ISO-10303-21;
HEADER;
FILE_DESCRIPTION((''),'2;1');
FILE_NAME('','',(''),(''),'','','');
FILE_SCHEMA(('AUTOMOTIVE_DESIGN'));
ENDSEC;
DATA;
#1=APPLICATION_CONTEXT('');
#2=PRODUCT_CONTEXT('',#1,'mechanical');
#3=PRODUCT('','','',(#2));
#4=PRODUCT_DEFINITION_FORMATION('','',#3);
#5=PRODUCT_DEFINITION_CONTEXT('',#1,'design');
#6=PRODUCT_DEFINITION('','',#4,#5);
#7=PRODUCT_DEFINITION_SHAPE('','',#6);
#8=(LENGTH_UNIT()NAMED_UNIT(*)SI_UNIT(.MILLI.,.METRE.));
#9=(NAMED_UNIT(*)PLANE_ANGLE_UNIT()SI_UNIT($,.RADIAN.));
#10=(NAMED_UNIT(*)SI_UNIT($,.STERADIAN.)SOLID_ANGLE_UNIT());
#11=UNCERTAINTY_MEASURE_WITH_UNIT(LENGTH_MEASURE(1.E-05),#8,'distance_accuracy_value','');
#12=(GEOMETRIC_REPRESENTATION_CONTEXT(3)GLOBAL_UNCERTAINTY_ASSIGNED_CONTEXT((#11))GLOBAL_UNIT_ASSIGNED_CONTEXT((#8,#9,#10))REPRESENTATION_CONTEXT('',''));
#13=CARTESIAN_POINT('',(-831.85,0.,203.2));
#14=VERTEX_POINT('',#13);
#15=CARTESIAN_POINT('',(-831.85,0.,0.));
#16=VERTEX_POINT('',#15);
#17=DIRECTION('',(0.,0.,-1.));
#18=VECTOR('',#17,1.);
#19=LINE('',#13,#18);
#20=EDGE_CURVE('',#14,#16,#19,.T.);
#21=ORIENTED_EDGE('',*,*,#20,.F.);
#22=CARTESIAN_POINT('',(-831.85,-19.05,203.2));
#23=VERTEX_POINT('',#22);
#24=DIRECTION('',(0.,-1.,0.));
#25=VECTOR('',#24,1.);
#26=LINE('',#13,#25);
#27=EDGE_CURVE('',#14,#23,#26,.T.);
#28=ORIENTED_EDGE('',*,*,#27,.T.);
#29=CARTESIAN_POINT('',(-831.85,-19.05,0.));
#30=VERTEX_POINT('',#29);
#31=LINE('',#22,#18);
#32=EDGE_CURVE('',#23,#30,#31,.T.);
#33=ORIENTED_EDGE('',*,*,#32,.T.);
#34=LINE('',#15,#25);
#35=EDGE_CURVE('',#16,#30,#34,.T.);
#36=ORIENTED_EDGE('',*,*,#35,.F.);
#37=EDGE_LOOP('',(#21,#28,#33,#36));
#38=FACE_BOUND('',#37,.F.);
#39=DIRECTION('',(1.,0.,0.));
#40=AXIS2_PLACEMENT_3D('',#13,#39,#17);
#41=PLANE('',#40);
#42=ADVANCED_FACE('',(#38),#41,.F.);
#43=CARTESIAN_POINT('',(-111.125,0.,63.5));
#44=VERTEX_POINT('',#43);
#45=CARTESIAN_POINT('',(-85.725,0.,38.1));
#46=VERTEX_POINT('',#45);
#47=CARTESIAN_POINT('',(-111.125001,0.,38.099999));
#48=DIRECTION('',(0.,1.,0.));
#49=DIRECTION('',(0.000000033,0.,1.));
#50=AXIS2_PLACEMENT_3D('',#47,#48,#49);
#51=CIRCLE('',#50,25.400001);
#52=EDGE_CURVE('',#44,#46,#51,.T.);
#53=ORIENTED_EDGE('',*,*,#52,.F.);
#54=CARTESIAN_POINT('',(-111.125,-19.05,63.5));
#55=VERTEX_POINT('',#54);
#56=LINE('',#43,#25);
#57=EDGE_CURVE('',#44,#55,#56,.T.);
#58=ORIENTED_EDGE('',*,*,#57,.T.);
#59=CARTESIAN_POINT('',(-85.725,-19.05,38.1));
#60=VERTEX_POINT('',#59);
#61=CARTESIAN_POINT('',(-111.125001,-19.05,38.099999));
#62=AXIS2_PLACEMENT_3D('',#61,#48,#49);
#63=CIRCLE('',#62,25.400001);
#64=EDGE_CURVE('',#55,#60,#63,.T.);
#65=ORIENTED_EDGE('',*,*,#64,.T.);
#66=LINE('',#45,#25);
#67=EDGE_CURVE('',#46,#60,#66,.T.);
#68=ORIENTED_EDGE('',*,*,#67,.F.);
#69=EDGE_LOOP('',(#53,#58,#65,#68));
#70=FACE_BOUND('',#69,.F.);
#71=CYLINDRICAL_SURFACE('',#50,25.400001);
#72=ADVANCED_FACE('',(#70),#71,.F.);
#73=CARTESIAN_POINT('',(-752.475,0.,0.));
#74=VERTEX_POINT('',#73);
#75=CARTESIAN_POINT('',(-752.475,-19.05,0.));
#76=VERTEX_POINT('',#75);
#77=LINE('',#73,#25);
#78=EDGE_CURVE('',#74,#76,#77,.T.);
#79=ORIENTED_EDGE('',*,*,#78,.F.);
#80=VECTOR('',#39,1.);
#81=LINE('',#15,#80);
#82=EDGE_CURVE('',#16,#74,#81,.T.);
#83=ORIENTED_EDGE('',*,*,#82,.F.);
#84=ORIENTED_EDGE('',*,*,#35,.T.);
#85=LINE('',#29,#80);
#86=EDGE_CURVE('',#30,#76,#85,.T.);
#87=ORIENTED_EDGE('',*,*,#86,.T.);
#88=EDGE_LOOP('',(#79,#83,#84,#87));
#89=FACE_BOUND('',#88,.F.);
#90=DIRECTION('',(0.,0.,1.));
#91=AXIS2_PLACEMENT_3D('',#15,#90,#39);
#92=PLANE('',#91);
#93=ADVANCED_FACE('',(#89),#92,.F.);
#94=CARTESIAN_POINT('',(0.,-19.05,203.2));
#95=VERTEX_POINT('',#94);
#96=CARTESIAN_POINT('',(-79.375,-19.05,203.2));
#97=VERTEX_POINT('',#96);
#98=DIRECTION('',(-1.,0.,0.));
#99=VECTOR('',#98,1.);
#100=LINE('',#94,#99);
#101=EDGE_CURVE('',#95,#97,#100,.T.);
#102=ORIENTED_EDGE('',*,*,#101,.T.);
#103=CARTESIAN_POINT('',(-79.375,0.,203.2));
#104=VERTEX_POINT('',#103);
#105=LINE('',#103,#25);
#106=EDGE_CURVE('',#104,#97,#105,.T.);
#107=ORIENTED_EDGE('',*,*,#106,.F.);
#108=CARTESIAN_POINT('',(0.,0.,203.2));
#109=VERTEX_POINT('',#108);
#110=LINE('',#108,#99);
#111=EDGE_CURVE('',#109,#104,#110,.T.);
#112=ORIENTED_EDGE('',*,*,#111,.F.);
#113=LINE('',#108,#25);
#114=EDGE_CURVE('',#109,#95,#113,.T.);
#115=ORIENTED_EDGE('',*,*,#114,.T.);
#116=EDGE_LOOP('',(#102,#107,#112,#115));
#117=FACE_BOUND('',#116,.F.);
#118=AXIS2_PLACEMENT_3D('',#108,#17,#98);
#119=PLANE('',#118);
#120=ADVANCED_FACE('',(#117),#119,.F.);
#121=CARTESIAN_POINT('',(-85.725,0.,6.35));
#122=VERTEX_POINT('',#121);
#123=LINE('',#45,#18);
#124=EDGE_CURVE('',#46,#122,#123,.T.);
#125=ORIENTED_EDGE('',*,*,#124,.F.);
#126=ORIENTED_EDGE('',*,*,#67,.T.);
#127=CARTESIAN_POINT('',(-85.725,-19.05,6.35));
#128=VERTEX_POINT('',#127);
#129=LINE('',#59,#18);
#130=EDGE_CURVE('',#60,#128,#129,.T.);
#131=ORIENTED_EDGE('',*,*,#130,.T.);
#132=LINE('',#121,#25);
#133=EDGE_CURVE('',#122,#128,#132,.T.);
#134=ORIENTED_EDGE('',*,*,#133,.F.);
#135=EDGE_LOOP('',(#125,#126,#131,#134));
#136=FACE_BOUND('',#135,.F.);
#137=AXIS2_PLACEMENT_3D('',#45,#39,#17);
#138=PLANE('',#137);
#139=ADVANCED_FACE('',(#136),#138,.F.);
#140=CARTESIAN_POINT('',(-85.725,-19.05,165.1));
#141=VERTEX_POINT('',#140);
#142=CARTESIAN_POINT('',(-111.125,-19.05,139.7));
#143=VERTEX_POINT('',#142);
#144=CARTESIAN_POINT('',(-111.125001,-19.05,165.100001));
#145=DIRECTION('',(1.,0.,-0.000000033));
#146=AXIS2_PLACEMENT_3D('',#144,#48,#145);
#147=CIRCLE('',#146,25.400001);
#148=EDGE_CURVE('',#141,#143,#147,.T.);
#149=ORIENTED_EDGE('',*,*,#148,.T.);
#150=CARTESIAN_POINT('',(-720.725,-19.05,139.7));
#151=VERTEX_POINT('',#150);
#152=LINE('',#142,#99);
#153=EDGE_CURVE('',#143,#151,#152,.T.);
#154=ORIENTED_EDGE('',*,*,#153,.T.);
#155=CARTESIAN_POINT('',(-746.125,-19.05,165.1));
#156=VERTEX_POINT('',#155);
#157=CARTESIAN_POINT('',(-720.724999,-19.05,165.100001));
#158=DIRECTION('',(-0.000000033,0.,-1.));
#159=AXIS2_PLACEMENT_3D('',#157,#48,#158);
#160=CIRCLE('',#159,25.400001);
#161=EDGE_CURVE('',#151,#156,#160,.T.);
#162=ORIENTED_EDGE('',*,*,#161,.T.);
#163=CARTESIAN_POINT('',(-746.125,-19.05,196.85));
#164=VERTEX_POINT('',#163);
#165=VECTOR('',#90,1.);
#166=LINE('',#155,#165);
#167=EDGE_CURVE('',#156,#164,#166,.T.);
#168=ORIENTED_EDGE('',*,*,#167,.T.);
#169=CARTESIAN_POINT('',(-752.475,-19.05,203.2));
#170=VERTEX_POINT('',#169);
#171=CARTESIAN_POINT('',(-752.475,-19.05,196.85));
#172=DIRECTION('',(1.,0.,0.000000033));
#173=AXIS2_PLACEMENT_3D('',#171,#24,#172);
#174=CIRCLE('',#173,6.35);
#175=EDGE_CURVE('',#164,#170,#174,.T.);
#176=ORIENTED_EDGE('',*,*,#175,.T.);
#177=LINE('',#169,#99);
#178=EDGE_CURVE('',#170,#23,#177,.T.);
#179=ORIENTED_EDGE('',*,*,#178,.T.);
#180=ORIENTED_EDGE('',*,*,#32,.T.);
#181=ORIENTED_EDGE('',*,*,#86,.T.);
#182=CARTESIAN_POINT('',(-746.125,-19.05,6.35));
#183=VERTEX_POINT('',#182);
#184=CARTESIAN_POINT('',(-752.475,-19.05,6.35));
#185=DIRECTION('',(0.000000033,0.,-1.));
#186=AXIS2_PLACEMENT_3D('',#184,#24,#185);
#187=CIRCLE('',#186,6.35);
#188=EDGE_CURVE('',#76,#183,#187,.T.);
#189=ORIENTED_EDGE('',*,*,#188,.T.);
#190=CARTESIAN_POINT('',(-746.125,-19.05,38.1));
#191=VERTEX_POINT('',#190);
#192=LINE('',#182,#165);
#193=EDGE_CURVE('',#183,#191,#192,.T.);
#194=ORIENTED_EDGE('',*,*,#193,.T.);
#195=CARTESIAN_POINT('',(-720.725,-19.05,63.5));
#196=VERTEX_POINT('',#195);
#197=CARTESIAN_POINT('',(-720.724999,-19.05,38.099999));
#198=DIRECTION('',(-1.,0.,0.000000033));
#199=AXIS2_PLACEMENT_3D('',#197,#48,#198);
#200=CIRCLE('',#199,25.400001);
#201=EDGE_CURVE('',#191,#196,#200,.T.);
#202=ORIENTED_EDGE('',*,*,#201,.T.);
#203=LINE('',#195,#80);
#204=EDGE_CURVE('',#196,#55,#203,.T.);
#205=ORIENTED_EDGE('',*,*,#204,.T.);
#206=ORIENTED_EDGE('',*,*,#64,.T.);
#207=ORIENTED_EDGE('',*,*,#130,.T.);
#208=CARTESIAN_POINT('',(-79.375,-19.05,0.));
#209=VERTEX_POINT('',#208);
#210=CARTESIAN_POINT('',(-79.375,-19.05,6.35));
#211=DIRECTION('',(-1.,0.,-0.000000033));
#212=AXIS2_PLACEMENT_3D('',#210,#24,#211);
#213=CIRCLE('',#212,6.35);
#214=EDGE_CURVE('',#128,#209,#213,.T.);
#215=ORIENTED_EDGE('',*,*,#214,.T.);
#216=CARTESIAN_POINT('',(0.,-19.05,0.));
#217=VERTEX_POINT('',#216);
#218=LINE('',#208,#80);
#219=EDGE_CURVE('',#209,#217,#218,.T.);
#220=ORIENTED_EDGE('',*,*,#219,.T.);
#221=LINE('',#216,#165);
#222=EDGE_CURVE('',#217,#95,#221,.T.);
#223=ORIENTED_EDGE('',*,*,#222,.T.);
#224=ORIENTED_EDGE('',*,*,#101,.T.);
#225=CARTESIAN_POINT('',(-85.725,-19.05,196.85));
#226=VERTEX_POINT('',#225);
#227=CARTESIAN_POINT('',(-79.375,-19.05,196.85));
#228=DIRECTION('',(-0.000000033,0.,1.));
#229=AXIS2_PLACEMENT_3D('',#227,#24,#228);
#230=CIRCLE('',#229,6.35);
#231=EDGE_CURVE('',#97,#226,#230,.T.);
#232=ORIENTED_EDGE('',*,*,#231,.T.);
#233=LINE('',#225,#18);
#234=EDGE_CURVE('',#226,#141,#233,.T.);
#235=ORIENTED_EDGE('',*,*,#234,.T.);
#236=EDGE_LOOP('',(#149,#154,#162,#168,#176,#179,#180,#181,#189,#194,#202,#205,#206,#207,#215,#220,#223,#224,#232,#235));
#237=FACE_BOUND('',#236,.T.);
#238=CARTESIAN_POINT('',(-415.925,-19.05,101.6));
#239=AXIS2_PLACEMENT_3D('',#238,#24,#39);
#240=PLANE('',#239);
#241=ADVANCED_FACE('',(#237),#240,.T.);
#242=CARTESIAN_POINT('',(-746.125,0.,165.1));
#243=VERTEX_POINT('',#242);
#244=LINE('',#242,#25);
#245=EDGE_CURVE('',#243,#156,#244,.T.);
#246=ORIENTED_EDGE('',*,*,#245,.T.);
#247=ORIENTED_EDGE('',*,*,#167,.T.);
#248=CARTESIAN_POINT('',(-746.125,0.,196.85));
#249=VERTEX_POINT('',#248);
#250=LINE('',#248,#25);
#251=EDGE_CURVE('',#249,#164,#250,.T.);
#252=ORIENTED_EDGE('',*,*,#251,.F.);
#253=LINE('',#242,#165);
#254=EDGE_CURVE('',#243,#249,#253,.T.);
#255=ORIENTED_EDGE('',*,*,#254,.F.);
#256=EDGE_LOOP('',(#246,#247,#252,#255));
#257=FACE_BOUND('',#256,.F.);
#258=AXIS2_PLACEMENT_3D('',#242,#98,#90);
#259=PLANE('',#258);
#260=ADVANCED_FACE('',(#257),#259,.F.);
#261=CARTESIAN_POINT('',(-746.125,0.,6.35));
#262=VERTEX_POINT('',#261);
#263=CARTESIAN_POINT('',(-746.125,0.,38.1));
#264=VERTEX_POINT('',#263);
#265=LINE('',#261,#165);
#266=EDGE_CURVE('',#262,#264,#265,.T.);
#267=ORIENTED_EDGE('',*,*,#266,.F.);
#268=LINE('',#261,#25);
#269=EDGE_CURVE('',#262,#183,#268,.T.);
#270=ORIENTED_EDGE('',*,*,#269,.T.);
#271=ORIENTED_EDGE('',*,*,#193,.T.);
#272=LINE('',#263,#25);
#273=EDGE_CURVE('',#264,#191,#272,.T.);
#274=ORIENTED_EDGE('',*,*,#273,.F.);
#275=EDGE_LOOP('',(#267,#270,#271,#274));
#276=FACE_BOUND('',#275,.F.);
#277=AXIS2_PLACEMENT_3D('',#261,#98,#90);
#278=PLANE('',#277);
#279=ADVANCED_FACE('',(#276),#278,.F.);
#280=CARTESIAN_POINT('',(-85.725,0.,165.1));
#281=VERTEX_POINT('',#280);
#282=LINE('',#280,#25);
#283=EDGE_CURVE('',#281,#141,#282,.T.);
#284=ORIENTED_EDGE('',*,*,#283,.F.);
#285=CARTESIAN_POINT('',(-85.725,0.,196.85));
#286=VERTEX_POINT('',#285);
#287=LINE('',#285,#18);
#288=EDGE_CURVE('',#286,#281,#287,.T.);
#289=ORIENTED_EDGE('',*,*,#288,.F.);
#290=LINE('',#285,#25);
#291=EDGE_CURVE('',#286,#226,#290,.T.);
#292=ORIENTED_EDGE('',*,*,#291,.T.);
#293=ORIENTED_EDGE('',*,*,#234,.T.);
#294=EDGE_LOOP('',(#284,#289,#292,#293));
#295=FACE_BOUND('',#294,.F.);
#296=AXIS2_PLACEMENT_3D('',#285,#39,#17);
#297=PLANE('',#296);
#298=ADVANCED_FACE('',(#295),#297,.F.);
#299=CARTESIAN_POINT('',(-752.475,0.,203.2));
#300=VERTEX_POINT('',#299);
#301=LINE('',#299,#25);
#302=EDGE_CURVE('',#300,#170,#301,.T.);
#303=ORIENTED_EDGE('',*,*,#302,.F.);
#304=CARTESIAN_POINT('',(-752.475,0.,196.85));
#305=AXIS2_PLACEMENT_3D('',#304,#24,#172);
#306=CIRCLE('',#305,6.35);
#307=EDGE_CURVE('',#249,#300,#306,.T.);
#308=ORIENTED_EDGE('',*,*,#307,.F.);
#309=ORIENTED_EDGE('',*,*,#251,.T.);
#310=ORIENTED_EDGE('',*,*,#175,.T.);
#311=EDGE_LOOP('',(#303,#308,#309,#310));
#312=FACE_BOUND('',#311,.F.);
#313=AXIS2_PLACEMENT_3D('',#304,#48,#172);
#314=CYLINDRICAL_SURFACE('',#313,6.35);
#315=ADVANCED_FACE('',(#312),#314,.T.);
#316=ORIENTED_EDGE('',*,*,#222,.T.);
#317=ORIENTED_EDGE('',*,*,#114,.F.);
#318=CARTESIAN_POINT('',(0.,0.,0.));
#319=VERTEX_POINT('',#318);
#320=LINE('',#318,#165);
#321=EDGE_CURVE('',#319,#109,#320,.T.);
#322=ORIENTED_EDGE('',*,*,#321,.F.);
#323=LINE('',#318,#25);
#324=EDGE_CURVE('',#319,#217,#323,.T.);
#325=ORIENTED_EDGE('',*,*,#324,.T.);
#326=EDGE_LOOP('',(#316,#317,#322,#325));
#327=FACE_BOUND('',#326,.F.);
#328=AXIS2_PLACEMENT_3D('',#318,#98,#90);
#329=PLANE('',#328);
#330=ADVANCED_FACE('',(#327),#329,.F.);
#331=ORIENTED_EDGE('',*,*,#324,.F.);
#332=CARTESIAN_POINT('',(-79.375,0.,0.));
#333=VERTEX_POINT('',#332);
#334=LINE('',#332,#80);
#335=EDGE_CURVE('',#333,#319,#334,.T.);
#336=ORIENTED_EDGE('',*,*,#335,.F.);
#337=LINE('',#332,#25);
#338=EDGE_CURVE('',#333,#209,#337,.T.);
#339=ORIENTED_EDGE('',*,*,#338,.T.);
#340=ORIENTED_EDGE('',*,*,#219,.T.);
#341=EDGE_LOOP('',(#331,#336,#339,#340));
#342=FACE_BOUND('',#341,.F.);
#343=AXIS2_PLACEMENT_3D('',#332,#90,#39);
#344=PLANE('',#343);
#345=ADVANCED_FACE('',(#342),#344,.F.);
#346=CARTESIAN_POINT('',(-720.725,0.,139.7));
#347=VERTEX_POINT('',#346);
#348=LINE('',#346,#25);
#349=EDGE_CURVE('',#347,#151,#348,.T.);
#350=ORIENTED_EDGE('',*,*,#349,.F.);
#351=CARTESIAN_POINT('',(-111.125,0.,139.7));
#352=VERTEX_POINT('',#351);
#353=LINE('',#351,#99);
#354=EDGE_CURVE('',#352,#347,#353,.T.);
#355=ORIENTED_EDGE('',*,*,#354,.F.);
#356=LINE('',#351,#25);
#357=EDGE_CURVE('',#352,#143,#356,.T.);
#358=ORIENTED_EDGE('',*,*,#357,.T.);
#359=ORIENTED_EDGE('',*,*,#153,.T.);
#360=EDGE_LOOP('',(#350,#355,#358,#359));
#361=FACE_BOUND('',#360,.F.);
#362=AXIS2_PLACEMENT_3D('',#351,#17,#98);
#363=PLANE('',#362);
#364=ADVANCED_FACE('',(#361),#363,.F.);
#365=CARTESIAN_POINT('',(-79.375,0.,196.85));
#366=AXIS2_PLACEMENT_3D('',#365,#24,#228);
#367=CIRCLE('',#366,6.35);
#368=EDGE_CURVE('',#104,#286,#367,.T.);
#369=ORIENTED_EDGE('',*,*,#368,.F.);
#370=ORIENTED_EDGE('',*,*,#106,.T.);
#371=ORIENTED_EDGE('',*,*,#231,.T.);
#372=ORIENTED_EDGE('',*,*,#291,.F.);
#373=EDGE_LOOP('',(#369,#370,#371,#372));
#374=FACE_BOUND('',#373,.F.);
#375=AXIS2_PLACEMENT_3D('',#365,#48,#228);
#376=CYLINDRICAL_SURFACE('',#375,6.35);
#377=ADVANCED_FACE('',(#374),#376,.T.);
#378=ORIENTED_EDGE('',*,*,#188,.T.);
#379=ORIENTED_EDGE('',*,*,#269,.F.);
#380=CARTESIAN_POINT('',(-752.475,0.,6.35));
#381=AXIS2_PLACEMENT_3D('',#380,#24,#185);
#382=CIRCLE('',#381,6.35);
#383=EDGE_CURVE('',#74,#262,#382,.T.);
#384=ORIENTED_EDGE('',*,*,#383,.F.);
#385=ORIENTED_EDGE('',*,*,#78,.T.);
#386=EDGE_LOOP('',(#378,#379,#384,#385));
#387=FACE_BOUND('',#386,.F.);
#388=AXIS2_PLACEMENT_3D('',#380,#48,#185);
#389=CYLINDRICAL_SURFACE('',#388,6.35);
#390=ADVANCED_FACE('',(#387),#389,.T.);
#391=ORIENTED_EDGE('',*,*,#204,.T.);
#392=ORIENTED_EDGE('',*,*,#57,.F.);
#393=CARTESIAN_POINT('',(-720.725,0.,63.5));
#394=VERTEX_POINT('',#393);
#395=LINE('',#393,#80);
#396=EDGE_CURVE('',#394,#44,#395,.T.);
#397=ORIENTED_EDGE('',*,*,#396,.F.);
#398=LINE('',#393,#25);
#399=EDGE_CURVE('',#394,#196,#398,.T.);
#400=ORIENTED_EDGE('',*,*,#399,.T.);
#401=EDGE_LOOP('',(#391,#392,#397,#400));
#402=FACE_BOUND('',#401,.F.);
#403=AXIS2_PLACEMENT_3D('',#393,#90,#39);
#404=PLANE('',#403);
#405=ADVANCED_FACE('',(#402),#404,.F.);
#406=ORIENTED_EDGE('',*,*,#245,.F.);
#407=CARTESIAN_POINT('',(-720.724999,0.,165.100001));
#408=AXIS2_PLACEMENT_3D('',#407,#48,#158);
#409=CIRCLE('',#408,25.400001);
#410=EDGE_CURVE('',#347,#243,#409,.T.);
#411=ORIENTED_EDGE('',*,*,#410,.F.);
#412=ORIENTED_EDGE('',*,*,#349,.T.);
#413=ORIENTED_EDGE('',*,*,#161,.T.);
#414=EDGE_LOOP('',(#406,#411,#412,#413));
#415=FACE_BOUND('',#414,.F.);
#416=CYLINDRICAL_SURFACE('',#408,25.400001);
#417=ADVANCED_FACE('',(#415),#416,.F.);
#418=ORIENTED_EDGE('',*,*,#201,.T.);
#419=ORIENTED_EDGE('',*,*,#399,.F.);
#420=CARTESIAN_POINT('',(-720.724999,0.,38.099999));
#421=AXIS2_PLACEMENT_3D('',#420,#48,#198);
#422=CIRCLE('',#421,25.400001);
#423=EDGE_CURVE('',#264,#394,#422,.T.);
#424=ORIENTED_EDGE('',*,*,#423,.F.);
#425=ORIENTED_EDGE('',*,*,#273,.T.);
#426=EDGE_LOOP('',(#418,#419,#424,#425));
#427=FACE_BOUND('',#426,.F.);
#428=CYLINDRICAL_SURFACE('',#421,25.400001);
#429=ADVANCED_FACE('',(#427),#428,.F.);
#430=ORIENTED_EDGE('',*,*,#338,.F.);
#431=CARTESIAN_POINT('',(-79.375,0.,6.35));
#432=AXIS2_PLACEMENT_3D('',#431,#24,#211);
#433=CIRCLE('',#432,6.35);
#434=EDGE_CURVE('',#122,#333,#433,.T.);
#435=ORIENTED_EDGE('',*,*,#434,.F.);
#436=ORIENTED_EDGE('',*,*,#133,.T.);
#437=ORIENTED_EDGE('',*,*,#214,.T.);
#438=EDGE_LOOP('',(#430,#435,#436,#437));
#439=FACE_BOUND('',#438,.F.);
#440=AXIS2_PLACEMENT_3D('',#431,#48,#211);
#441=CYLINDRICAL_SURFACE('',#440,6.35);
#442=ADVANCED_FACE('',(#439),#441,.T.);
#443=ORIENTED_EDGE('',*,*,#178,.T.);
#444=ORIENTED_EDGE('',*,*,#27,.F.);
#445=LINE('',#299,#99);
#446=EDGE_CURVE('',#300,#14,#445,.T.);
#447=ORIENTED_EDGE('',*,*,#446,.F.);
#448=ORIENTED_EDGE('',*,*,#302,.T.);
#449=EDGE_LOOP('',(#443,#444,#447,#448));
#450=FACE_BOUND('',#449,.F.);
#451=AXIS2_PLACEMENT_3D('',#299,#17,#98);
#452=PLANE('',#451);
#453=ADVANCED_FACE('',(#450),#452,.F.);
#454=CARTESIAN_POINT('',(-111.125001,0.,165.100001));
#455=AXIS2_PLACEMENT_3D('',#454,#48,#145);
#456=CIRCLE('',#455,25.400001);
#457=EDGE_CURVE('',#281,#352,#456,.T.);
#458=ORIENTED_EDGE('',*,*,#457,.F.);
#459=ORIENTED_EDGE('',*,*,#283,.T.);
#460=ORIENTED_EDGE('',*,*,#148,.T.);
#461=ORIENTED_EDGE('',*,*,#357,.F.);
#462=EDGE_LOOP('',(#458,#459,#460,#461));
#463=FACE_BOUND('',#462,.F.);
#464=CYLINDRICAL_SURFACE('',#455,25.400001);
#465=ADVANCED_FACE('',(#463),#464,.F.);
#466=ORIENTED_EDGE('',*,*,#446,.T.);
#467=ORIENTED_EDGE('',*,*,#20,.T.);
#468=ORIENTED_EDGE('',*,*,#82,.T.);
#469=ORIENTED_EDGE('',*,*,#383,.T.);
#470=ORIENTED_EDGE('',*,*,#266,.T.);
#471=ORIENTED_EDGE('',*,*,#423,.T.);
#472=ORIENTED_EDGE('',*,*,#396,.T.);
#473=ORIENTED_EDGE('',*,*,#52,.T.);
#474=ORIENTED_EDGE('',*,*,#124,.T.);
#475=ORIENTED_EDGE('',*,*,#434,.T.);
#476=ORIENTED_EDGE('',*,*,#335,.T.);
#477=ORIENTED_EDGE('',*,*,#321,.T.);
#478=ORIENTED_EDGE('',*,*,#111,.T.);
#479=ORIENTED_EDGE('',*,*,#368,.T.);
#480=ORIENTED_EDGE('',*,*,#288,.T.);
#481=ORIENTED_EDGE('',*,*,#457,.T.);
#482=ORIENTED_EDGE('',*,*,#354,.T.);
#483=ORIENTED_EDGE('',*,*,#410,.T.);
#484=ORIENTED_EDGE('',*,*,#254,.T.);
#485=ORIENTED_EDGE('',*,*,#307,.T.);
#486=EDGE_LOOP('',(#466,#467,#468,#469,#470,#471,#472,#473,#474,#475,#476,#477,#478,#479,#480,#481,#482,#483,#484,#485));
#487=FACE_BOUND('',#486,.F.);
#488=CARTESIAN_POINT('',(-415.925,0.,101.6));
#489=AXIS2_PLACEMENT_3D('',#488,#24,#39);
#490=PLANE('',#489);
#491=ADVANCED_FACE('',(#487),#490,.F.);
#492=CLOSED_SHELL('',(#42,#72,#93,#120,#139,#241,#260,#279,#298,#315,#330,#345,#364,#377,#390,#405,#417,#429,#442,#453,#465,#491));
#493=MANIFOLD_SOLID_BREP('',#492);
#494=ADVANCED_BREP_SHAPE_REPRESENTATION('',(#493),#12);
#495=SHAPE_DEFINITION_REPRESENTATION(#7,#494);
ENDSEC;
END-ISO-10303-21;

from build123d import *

# Parameters (mm, degrees)
F1_DEPTH = 19.05


with BuildPart() as f1:
    # F0 (on Front) → F1 (new body)
    with BuildSketch(Plane.XZ):
        with BuildLine():
            Line((-752.475, 203.2), (-831.85, 203.2))
            Line((-831.85, 203.2), (-831.85, 0))
            Line((-831.85, 0), (-752.475, 0))
            ThreePointArc((-752.475, 0), (-747.984872, 1.859872), (-746.125, 6.35))
            Line((-746.125, 6.35), (-746.125, 38.1))
            ThreePointArc((-746.125, 38.1), (-738.685512, 56.060512), (-720.725, 63.5))
            Line((-720.725, 63.5), (-111.125, 63.5))
            ThreePointArc((-111.125, 63.5), (-93.164488, 56.060512), (-85.725, 38.1))
            Line((-85.725, 38.1), (-85.725, 6.35))
            ThreePointArc((-85.725, 6.35), (-83.865128, 1.859872), (-79.375, 0))
            Line((-79.375, 0), (0, 0))
            Line((0, 0), (0, 203.2))
            Line((0, 203.2), (-79.375, 203.2))
            ThreePointArc((-79.375, 203.2), (-83.865128, 201.340128), (-85.725, 196.85))
            Line((-85.725, 196.85), (-85.725, 165.1))
            ThreePointArc((-85.725, 165.1), (-93.164488, 147.139488), (-111.125, 139.7))
            Line((-111.125, 139.7), (-720.725, 139.7))
            ThreePointArc((-720.725, 139.7), (-738.685512, 147.139488), (-746.125, 165.1))
            Line((-746.125, 165.1), (-746.125, 196.85))
            ThreePointArc((-746.125, 196.85), (-747.984872, 201.340128), (-752.475, 203.2))
        make_face()
    extrude(amount=F1_DEPTH)


solid = f1.part
